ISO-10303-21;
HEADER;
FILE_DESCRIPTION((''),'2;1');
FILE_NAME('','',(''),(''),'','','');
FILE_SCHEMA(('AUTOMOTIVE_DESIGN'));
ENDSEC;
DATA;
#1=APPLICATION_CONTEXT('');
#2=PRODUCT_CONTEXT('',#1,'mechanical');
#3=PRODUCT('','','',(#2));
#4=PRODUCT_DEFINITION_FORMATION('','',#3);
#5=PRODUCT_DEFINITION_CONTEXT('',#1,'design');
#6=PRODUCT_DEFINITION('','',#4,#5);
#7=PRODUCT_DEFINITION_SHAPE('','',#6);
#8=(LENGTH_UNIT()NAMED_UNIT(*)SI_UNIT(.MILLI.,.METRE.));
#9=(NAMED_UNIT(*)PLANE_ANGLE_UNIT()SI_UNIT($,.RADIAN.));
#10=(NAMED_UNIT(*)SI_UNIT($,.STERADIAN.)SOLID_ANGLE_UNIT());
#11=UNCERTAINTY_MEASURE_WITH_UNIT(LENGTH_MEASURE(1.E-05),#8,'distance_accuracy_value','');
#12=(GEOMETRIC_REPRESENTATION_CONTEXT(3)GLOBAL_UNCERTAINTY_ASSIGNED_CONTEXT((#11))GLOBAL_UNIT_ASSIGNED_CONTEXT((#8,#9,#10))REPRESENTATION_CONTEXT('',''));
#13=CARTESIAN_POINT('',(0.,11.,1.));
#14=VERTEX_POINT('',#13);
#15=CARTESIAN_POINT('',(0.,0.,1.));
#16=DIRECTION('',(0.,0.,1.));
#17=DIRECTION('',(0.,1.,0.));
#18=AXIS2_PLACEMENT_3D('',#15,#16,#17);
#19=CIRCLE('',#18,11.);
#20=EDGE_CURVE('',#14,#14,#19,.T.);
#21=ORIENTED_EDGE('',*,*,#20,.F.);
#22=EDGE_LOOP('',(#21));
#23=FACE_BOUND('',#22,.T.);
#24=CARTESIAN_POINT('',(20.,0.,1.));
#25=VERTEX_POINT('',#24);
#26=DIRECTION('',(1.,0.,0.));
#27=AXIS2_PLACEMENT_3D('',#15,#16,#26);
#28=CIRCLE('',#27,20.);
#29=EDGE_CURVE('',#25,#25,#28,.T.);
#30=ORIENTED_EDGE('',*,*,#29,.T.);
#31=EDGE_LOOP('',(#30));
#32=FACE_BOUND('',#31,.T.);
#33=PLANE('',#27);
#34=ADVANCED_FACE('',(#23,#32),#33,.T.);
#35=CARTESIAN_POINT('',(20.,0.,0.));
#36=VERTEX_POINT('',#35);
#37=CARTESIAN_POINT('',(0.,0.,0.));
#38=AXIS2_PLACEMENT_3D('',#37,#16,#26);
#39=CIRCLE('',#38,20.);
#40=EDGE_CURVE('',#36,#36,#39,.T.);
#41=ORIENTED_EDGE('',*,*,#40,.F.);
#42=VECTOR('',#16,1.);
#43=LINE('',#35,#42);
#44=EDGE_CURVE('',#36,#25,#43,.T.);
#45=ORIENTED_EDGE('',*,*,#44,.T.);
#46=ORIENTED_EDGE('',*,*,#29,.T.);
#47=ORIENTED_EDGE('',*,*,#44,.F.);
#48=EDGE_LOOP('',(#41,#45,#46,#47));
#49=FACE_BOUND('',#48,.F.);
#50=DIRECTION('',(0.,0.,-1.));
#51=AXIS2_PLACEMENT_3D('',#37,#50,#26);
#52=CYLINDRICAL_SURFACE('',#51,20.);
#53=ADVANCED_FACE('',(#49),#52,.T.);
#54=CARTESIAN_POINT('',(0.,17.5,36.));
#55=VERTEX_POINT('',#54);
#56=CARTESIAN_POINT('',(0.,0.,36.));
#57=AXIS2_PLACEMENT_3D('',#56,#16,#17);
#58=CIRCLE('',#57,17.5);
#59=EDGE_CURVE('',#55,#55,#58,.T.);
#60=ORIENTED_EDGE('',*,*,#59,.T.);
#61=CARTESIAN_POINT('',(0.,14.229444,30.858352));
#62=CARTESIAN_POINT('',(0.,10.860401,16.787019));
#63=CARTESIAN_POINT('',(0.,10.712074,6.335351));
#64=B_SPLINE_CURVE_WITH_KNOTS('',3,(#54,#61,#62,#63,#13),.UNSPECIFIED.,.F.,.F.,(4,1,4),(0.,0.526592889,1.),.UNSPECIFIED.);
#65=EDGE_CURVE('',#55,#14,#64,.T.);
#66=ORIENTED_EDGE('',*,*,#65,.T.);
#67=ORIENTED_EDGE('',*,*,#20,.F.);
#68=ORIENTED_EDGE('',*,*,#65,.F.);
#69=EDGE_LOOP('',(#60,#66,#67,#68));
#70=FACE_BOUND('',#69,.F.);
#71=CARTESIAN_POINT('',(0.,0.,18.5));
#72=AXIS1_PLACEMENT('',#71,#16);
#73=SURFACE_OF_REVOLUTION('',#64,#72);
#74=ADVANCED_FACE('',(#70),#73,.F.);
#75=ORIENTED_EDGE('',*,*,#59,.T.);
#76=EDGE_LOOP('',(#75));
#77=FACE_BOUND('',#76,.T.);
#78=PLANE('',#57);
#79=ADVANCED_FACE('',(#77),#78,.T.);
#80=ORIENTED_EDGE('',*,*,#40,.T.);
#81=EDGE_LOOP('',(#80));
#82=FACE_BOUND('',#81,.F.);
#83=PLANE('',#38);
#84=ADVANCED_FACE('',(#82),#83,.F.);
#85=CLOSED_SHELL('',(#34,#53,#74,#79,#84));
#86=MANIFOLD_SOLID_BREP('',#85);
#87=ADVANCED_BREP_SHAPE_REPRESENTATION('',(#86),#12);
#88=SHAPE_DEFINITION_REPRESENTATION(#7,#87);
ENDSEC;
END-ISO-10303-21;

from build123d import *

# Parameters (mm, degrees)
F0_R     = 20
F1_DEPTH = 1


with BuildPart() as f1:
    # F0 (on Top) → F1 (new body)
    with BuildSketch(Plane.XY):
        Circle(F0_R)
    extrude(amount=F1_DEPTH)

    # F2 (on Right) → F3 (revolve)
    with BuildSketch(Plane.YZ):
        with BuildLine():
            Line((0, 36), (0, 1))
            Line((0, 1), (11, 1))
            add(Edge.make_bspline(
                [(17.5, 36), (14.2294438377, 30.8583521209), (10.8604008954, 16.7870189228), (10.7120739303, 6.3353506689), (11, 1)],
                knots=[0, 0, 0, 0, 0.5265928886, 1, 1, 1, 1], degree=3))
            Line((17.5, 36), (0, 36))
        make_face()
    revolve(axis=Axis((0, 0, 18.5), (0, 0, 1)))


solid = f1.part
